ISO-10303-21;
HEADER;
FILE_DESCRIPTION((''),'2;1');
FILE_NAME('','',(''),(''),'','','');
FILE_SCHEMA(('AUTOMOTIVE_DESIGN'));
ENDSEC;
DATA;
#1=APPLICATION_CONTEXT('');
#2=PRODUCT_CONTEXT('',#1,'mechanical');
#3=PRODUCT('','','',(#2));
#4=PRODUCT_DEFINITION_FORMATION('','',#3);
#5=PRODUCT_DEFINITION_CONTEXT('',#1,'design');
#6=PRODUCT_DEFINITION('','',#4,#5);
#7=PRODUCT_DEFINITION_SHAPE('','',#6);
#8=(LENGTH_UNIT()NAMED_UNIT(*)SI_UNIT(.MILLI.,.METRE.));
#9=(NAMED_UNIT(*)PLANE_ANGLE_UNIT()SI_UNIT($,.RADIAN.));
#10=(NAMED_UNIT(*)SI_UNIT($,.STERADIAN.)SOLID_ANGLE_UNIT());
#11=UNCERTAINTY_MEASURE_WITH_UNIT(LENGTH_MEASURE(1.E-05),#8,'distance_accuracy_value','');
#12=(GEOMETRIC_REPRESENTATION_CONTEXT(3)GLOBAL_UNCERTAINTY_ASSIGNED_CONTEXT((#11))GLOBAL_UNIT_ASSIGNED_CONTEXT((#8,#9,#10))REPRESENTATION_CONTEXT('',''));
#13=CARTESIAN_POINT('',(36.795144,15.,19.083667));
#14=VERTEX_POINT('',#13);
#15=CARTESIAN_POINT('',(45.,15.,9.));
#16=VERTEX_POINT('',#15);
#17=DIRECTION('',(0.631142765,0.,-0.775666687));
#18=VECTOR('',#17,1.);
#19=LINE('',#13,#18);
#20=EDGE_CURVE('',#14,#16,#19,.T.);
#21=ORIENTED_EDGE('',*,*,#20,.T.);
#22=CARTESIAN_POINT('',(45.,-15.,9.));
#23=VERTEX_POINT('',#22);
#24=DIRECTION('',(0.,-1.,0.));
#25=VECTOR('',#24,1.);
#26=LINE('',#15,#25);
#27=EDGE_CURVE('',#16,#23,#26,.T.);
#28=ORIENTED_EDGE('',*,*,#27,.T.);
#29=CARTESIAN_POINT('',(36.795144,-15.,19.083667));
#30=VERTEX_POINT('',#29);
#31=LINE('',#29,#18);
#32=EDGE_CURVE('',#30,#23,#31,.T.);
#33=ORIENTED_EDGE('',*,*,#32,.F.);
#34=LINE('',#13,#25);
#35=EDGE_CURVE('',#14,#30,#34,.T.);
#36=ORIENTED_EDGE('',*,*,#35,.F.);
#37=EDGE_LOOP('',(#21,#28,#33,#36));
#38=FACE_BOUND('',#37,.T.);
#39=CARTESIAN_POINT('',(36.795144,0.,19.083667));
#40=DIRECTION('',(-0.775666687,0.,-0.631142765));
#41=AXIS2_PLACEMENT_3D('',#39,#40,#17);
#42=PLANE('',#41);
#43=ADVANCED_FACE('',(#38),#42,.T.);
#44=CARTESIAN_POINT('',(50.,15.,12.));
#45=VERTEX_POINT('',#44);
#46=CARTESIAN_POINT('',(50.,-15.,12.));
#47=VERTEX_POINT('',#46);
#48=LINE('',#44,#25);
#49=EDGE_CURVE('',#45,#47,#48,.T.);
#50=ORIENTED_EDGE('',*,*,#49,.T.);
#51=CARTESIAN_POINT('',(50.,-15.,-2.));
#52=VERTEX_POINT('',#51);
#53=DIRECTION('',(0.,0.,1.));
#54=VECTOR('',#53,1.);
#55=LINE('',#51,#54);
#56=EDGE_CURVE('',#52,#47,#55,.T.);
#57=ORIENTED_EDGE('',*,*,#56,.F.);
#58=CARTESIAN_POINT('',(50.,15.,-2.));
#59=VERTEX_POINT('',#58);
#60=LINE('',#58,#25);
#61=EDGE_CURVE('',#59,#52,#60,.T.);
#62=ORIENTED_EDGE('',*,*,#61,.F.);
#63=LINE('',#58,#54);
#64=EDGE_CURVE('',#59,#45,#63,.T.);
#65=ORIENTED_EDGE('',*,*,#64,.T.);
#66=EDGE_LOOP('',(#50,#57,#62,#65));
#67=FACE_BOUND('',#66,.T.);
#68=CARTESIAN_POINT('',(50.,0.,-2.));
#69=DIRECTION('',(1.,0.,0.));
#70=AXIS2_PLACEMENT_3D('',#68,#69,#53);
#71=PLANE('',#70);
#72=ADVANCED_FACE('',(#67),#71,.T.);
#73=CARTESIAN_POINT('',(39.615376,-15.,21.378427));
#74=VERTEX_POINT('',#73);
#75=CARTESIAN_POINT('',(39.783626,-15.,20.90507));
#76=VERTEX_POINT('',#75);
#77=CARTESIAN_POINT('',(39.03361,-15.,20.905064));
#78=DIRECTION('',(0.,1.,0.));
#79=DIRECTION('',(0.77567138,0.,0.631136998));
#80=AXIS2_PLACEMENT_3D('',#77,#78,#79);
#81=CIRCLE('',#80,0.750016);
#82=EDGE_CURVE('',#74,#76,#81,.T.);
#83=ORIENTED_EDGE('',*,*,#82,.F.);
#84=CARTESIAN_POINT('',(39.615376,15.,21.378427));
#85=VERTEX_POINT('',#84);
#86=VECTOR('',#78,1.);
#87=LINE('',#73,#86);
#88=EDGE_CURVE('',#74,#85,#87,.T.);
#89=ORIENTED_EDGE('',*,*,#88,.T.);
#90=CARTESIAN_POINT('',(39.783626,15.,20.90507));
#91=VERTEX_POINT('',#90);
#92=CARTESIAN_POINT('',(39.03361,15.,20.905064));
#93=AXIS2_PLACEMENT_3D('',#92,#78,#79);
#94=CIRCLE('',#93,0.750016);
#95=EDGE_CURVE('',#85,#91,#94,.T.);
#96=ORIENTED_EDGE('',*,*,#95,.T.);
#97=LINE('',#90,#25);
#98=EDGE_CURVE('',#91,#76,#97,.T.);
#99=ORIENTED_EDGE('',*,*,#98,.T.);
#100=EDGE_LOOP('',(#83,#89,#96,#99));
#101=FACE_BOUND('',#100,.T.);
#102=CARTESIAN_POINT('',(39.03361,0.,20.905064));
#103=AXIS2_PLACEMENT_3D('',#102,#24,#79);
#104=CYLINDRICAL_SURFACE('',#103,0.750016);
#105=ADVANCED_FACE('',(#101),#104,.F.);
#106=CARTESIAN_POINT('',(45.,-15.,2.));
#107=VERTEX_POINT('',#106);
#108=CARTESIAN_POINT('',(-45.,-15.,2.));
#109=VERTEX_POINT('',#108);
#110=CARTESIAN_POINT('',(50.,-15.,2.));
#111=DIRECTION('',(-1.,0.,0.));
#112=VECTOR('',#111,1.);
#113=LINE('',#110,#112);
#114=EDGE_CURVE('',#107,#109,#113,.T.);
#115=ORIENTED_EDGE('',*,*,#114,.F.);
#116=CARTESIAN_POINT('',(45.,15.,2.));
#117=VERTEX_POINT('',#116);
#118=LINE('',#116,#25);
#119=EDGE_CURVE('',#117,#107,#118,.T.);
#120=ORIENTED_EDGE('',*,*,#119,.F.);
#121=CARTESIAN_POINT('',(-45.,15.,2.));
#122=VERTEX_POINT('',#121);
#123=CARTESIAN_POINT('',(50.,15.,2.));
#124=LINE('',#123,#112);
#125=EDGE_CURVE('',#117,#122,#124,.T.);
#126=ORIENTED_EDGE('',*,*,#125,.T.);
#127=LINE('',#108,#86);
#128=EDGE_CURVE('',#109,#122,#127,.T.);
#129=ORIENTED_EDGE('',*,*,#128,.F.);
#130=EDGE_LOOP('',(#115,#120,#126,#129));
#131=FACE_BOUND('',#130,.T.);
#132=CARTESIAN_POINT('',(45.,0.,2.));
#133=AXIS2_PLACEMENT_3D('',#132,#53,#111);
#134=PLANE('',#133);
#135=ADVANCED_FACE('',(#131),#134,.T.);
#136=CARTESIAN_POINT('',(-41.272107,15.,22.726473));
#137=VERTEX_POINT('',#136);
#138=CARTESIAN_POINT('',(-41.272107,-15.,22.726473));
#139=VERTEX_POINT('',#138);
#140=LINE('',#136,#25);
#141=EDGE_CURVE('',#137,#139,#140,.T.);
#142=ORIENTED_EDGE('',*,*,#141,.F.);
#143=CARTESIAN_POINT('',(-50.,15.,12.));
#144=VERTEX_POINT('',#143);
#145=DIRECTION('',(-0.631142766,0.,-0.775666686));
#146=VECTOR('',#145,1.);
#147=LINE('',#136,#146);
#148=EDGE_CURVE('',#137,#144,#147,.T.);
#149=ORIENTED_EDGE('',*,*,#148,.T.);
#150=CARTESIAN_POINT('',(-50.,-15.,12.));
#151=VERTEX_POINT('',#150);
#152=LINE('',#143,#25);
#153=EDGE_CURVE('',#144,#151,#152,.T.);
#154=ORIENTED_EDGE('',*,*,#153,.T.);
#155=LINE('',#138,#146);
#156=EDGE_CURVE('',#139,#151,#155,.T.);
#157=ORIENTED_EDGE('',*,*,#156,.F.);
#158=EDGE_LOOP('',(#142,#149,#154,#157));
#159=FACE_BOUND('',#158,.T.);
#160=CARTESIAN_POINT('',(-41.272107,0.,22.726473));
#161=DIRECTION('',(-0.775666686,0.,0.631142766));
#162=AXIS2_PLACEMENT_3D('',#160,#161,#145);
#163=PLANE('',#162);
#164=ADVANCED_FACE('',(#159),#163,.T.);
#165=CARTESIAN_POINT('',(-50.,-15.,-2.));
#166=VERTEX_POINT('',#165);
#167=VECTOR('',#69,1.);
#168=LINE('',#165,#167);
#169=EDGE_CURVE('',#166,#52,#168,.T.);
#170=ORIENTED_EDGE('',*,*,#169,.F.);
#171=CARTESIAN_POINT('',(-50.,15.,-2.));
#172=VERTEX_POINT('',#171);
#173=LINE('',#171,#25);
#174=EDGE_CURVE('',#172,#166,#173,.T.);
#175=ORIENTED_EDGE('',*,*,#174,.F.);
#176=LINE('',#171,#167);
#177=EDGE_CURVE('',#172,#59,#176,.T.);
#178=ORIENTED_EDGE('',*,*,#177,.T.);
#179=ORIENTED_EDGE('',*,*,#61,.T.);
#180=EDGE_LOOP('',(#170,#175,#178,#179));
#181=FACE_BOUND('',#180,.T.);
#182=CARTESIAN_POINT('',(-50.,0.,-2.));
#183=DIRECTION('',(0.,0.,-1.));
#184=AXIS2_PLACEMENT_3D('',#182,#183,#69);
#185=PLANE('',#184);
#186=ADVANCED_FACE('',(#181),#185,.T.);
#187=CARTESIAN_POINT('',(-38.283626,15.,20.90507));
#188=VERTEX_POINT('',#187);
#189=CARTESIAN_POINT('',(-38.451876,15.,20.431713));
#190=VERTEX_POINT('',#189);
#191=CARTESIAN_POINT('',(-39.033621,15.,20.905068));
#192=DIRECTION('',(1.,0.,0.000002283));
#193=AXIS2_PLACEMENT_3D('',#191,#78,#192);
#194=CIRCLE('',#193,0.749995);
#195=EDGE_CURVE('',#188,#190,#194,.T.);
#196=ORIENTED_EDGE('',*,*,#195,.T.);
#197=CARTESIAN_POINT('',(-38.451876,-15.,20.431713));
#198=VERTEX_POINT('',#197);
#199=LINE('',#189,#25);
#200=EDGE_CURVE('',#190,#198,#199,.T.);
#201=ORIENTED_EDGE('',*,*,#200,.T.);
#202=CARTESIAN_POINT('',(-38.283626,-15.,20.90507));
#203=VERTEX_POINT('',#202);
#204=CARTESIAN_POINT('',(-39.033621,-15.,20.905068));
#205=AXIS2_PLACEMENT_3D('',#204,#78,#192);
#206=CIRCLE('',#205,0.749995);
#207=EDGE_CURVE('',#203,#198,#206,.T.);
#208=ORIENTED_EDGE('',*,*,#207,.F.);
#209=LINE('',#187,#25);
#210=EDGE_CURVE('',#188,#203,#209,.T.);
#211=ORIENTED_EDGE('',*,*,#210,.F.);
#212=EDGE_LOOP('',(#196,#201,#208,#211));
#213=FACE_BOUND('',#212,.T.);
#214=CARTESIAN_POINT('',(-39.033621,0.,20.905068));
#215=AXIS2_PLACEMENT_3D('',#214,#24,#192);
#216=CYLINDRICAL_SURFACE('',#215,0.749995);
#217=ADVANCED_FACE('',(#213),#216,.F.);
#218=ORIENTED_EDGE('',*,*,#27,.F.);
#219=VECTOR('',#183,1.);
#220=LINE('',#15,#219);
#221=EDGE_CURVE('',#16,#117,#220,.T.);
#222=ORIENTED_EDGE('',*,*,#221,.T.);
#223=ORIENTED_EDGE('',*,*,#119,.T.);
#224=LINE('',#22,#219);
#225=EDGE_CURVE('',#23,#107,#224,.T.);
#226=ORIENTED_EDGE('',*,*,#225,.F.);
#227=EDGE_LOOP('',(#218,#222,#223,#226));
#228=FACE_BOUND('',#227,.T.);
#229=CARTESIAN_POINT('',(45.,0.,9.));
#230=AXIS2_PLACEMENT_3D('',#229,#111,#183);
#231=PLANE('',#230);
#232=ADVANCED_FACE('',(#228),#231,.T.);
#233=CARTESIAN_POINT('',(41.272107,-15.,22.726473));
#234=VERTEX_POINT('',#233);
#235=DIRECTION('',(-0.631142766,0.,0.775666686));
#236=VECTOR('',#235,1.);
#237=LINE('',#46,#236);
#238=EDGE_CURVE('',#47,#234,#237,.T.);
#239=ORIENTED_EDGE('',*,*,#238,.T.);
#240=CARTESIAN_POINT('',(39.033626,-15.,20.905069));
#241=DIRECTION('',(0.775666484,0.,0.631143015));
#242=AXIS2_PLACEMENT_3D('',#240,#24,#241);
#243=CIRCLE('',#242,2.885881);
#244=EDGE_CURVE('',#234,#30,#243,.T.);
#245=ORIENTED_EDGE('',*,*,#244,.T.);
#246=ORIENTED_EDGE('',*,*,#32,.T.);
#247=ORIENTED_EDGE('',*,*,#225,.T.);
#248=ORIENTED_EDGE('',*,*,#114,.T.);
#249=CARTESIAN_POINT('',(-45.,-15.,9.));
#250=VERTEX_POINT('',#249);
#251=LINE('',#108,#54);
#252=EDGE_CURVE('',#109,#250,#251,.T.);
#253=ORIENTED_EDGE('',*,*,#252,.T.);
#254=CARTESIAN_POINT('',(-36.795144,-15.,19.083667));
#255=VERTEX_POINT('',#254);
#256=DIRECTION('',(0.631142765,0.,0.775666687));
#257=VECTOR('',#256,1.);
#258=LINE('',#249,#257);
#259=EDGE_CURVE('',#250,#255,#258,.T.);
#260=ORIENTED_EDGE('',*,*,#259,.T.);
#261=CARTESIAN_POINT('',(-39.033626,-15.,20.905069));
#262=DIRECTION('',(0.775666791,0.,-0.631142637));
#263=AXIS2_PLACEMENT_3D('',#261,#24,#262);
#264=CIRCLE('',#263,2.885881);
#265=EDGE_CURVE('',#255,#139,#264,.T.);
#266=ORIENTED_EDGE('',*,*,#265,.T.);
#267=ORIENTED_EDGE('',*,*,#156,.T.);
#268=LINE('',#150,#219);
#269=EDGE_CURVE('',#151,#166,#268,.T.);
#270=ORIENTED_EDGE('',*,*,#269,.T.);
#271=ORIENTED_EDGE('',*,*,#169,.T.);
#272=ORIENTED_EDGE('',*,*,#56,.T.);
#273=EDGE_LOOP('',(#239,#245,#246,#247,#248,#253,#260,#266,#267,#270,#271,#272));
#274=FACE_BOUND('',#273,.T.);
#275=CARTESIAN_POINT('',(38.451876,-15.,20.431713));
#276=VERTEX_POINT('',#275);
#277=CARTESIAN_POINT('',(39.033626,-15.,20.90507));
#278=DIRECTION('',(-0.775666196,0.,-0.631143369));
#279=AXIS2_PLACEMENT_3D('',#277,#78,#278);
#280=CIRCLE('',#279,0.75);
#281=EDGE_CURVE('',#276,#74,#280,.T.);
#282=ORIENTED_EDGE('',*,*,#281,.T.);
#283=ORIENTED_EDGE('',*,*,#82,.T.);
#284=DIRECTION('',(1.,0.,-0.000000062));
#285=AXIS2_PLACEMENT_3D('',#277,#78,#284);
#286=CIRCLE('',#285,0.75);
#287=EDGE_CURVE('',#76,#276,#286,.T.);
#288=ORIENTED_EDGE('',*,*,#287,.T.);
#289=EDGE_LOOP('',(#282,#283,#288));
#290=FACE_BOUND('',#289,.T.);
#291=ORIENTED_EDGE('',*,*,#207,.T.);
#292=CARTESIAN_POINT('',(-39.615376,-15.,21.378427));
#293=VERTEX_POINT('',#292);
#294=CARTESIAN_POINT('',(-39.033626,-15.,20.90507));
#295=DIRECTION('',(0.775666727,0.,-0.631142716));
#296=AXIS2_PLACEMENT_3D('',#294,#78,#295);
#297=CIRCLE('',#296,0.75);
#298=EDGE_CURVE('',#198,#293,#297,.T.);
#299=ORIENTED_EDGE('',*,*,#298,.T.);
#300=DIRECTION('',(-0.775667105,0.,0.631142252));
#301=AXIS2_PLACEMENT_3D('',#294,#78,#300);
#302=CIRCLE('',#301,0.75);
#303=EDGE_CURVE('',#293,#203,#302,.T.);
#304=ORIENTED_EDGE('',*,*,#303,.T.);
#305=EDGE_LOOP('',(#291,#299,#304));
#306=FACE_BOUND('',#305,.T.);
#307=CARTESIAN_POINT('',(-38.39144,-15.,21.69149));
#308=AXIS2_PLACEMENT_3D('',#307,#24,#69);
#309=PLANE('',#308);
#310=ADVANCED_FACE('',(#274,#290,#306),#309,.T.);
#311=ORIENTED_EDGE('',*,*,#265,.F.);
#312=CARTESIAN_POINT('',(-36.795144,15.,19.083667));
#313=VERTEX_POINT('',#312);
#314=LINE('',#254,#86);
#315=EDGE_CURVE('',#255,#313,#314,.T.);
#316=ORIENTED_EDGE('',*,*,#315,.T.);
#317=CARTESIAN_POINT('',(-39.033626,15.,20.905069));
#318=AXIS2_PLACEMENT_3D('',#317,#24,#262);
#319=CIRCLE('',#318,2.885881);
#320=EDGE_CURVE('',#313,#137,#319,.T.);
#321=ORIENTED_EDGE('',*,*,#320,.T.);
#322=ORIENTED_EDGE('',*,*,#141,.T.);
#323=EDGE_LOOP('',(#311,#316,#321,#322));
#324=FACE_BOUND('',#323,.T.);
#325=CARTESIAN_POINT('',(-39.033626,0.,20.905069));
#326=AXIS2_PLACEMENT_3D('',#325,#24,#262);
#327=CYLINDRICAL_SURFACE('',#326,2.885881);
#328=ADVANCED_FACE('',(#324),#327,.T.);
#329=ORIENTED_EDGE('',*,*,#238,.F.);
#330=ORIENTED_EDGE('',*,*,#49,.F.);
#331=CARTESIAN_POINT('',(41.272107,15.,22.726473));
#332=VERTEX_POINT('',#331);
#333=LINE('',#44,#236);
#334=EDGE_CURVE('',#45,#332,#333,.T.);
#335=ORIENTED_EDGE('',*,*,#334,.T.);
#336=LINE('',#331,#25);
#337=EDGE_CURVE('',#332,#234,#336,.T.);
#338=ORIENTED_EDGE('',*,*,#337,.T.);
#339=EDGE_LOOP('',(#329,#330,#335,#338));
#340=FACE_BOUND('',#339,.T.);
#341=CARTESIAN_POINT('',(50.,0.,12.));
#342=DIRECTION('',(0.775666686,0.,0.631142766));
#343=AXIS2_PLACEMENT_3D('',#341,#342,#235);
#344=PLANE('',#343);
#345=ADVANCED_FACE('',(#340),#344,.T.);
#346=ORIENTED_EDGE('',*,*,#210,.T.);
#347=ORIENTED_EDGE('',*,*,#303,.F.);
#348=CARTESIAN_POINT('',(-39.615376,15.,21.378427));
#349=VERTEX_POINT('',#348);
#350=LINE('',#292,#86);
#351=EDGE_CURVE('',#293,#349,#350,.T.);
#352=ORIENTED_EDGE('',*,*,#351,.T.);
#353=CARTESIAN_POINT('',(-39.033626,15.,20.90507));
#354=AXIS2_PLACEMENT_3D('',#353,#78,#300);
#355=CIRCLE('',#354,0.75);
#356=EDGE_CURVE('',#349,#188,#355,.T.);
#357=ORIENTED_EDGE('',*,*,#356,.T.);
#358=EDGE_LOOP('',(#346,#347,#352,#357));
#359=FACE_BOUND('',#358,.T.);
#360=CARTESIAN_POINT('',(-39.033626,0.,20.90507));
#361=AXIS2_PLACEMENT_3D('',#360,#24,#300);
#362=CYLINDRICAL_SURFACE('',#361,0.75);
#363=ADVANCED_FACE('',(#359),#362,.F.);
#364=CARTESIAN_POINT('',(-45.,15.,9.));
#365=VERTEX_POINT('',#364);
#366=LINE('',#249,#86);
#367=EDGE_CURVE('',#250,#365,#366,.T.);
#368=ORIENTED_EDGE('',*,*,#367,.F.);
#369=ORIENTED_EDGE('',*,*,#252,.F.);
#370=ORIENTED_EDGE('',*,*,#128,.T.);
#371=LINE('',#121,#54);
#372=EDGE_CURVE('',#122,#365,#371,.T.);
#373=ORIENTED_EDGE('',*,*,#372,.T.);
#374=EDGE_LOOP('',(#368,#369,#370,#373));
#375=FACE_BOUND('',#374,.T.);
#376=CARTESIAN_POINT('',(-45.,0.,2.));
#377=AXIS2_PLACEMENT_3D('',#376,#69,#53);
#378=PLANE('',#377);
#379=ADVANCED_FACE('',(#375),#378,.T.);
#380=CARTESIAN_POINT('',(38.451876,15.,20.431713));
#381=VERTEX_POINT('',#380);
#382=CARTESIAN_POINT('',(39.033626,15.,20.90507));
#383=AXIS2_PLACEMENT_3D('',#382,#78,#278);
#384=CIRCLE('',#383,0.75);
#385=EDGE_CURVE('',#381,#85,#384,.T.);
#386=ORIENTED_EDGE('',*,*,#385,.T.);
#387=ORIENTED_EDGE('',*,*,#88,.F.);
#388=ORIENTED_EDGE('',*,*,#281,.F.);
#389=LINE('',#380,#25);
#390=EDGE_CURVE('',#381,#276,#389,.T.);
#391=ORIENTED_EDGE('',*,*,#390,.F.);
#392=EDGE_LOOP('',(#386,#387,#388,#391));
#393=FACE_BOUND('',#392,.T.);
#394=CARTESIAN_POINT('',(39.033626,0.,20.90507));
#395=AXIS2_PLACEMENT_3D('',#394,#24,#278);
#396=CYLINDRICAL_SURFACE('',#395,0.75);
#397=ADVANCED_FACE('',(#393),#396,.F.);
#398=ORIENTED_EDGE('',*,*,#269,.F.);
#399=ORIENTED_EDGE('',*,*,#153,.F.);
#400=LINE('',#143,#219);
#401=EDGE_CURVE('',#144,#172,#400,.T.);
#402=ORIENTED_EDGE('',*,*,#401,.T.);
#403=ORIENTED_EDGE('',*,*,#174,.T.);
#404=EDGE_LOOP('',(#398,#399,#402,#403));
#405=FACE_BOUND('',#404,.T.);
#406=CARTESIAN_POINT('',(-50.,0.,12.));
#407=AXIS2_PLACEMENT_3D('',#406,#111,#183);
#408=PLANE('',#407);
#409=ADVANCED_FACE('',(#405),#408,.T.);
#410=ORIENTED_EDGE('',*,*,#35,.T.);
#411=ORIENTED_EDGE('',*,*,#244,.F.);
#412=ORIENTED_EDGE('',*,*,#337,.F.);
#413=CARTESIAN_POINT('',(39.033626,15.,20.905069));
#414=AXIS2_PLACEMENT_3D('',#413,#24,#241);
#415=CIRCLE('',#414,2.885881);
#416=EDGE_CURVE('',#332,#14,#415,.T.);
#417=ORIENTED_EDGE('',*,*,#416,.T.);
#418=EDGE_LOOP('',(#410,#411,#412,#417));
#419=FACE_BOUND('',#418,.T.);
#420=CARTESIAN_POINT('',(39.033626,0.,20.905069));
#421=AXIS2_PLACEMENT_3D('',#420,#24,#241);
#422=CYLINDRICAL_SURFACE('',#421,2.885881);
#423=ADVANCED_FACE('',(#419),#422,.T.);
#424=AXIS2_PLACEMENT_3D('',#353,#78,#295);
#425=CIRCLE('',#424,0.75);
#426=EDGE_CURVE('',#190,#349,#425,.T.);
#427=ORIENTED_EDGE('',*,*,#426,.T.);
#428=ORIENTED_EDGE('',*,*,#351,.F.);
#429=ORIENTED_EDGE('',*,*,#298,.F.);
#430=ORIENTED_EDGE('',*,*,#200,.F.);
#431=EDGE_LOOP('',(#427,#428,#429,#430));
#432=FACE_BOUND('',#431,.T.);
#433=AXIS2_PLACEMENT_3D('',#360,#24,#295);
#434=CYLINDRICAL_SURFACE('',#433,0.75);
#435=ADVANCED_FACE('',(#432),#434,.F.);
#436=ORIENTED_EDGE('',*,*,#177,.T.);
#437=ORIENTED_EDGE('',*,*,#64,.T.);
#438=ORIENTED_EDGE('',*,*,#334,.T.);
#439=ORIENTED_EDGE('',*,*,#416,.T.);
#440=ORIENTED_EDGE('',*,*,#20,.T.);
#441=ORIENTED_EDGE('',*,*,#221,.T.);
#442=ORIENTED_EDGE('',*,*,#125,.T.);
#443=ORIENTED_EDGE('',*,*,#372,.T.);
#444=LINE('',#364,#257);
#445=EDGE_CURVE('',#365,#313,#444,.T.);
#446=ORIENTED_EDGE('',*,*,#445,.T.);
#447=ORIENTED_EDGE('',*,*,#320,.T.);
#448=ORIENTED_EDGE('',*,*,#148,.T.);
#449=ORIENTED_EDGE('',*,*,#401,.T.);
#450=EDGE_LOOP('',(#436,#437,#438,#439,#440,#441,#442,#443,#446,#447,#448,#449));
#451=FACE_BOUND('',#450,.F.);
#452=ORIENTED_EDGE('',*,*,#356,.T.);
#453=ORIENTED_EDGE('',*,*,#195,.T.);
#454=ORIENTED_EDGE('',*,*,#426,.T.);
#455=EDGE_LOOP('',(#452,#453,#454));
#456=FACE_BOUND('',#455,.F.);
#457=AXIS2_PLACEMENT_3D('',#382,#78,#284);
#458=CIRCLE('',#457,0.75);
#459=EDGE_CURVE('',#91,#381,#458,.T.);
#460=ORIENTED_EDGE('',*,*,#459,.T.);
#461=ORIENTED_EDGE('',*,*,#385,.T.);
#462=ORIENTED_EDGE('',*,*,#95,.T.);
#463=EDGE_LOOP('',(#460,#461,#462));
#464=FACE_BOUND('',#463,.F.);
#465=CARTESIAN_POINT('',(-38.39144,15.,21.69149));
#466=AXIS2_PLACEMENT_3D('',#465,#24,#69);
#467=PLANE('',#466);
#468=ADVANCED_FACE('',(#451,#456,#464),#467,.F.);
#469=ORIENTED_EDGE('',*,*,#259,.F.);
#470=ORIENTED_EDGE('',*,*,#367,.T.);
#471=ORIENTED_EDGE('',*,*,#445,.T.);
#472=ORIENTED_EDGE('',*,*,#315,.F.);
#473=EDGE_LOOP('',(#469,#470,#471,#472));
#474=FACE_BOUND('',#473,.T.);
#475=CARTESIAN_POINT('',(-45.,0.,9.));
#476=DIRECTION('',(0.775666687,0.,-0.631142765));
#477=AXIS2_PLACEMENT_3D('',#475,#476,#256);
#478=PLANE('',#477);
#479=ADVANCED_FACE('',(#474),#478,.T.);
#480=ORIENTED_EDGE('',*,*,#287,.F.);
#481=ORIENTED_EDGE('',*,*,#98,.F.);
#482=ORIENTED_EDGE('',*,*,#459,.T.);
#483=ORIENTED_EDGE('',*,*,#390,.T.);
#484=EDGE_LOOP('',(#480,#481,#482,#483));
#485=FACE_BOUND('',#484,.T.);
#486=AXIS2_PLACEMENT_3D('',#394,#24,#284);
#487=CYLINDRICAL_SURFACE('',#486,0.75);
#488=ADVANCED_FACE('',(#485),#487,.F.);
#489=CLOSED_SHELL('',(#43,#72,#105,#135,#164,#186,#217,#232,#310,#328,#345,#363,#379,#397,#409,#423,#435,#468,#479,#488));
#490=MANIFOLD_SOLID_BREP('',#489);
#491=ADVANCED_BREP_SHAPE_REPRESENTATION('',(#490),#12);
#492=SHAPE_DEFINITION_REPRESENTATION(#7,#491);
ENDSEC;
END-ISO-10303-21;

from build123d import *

# Parameters (mm, degrees)
F1_DEPTH = 15


with BuildPart() as f1:
    # F0 (on Front) → F1 (new body, symmetric)
    with BuildSketch(Plane.XZ):
        with BuildLine():
            Line((-38.451876, 20.431713), (-36.795144, 19.083667))
            ThreePointArc((-36.795144, 19.083667), (-37.212223, 23.143551), (-41.272107, 22.726473))
            Line((-41.272107, 22.726473), (-39.615376, 21.378427))
            ThreePointArc((-39.615376, 21.378427), (-38.782441, 21.611757), (-38.283626, 20.90507))
            ThreePointArc((-38.283626, 20.90507), (-38.326939, 20.653885), (-38.451876, 20.431713))
        make_face()
        with BuildLine():
            Line((-50, 2), (-45, 2))
            Line((-45, 2), (-45, 9))
            Line((-45, 9), (-36.795144, 19.083667))
            Line((-36.795144, 19.083667), (-38.451876, 20.431713))
            ThreePointArc((-38.451876, 20.431713), (-39.506983, 20.32332), (-39.615376, 21.378427))
            Line((-39.615376, 21.378427), (-41.272107, 22.726473))
            Line((-41.272107, 22.726473), (-50, 12))
            Line((-50, 12), (-50, 2))
        make_face()
        Polygon((50, -2), (50, 2), (45, 2), (-45, 2), (-50, 2), (-50, -2), align=None)
        with BuildLine():
            Line((45, 2), (50, 2))
            Line((50, 2), (50, 12))
            Line((50, 12), (41.272107, 22.726473))
            Line((41.272107, 22.726473), (39.615376, 21.378427))
            ThreePointArc((39.615376, 21.378427), (39.740312, 21.156254), (39.783626, 20.90507))
            ThreePointArc((39.783626, 20.90507), (39.28481, 20.198383), (38.451876, 20.431713))
            Line((38.451876, 20.431713), (36.795144, 19.083667))
            Line((36.795144, 19.083667), (45, 9))
            Line((45, 9), (45, 2))
        make_face()
        with BuildLine():
            Line((39.615376, 21.378427), (41.272107, 22.726473))
            ThreePointArc((41.272107, 22.726473), (37.212223, 23.143551), (36.795144, 19.083667))
            Line((36.795144, 19.083667), (38.451876, 20.431713))
            ThreePointArc((38.451876, 20.431713), (38.560268, 21.48682), (39.615376, 21.378427))
        make_face()
    extrude(amount=F1_DEPTH, both=True)


solid = f1.part
